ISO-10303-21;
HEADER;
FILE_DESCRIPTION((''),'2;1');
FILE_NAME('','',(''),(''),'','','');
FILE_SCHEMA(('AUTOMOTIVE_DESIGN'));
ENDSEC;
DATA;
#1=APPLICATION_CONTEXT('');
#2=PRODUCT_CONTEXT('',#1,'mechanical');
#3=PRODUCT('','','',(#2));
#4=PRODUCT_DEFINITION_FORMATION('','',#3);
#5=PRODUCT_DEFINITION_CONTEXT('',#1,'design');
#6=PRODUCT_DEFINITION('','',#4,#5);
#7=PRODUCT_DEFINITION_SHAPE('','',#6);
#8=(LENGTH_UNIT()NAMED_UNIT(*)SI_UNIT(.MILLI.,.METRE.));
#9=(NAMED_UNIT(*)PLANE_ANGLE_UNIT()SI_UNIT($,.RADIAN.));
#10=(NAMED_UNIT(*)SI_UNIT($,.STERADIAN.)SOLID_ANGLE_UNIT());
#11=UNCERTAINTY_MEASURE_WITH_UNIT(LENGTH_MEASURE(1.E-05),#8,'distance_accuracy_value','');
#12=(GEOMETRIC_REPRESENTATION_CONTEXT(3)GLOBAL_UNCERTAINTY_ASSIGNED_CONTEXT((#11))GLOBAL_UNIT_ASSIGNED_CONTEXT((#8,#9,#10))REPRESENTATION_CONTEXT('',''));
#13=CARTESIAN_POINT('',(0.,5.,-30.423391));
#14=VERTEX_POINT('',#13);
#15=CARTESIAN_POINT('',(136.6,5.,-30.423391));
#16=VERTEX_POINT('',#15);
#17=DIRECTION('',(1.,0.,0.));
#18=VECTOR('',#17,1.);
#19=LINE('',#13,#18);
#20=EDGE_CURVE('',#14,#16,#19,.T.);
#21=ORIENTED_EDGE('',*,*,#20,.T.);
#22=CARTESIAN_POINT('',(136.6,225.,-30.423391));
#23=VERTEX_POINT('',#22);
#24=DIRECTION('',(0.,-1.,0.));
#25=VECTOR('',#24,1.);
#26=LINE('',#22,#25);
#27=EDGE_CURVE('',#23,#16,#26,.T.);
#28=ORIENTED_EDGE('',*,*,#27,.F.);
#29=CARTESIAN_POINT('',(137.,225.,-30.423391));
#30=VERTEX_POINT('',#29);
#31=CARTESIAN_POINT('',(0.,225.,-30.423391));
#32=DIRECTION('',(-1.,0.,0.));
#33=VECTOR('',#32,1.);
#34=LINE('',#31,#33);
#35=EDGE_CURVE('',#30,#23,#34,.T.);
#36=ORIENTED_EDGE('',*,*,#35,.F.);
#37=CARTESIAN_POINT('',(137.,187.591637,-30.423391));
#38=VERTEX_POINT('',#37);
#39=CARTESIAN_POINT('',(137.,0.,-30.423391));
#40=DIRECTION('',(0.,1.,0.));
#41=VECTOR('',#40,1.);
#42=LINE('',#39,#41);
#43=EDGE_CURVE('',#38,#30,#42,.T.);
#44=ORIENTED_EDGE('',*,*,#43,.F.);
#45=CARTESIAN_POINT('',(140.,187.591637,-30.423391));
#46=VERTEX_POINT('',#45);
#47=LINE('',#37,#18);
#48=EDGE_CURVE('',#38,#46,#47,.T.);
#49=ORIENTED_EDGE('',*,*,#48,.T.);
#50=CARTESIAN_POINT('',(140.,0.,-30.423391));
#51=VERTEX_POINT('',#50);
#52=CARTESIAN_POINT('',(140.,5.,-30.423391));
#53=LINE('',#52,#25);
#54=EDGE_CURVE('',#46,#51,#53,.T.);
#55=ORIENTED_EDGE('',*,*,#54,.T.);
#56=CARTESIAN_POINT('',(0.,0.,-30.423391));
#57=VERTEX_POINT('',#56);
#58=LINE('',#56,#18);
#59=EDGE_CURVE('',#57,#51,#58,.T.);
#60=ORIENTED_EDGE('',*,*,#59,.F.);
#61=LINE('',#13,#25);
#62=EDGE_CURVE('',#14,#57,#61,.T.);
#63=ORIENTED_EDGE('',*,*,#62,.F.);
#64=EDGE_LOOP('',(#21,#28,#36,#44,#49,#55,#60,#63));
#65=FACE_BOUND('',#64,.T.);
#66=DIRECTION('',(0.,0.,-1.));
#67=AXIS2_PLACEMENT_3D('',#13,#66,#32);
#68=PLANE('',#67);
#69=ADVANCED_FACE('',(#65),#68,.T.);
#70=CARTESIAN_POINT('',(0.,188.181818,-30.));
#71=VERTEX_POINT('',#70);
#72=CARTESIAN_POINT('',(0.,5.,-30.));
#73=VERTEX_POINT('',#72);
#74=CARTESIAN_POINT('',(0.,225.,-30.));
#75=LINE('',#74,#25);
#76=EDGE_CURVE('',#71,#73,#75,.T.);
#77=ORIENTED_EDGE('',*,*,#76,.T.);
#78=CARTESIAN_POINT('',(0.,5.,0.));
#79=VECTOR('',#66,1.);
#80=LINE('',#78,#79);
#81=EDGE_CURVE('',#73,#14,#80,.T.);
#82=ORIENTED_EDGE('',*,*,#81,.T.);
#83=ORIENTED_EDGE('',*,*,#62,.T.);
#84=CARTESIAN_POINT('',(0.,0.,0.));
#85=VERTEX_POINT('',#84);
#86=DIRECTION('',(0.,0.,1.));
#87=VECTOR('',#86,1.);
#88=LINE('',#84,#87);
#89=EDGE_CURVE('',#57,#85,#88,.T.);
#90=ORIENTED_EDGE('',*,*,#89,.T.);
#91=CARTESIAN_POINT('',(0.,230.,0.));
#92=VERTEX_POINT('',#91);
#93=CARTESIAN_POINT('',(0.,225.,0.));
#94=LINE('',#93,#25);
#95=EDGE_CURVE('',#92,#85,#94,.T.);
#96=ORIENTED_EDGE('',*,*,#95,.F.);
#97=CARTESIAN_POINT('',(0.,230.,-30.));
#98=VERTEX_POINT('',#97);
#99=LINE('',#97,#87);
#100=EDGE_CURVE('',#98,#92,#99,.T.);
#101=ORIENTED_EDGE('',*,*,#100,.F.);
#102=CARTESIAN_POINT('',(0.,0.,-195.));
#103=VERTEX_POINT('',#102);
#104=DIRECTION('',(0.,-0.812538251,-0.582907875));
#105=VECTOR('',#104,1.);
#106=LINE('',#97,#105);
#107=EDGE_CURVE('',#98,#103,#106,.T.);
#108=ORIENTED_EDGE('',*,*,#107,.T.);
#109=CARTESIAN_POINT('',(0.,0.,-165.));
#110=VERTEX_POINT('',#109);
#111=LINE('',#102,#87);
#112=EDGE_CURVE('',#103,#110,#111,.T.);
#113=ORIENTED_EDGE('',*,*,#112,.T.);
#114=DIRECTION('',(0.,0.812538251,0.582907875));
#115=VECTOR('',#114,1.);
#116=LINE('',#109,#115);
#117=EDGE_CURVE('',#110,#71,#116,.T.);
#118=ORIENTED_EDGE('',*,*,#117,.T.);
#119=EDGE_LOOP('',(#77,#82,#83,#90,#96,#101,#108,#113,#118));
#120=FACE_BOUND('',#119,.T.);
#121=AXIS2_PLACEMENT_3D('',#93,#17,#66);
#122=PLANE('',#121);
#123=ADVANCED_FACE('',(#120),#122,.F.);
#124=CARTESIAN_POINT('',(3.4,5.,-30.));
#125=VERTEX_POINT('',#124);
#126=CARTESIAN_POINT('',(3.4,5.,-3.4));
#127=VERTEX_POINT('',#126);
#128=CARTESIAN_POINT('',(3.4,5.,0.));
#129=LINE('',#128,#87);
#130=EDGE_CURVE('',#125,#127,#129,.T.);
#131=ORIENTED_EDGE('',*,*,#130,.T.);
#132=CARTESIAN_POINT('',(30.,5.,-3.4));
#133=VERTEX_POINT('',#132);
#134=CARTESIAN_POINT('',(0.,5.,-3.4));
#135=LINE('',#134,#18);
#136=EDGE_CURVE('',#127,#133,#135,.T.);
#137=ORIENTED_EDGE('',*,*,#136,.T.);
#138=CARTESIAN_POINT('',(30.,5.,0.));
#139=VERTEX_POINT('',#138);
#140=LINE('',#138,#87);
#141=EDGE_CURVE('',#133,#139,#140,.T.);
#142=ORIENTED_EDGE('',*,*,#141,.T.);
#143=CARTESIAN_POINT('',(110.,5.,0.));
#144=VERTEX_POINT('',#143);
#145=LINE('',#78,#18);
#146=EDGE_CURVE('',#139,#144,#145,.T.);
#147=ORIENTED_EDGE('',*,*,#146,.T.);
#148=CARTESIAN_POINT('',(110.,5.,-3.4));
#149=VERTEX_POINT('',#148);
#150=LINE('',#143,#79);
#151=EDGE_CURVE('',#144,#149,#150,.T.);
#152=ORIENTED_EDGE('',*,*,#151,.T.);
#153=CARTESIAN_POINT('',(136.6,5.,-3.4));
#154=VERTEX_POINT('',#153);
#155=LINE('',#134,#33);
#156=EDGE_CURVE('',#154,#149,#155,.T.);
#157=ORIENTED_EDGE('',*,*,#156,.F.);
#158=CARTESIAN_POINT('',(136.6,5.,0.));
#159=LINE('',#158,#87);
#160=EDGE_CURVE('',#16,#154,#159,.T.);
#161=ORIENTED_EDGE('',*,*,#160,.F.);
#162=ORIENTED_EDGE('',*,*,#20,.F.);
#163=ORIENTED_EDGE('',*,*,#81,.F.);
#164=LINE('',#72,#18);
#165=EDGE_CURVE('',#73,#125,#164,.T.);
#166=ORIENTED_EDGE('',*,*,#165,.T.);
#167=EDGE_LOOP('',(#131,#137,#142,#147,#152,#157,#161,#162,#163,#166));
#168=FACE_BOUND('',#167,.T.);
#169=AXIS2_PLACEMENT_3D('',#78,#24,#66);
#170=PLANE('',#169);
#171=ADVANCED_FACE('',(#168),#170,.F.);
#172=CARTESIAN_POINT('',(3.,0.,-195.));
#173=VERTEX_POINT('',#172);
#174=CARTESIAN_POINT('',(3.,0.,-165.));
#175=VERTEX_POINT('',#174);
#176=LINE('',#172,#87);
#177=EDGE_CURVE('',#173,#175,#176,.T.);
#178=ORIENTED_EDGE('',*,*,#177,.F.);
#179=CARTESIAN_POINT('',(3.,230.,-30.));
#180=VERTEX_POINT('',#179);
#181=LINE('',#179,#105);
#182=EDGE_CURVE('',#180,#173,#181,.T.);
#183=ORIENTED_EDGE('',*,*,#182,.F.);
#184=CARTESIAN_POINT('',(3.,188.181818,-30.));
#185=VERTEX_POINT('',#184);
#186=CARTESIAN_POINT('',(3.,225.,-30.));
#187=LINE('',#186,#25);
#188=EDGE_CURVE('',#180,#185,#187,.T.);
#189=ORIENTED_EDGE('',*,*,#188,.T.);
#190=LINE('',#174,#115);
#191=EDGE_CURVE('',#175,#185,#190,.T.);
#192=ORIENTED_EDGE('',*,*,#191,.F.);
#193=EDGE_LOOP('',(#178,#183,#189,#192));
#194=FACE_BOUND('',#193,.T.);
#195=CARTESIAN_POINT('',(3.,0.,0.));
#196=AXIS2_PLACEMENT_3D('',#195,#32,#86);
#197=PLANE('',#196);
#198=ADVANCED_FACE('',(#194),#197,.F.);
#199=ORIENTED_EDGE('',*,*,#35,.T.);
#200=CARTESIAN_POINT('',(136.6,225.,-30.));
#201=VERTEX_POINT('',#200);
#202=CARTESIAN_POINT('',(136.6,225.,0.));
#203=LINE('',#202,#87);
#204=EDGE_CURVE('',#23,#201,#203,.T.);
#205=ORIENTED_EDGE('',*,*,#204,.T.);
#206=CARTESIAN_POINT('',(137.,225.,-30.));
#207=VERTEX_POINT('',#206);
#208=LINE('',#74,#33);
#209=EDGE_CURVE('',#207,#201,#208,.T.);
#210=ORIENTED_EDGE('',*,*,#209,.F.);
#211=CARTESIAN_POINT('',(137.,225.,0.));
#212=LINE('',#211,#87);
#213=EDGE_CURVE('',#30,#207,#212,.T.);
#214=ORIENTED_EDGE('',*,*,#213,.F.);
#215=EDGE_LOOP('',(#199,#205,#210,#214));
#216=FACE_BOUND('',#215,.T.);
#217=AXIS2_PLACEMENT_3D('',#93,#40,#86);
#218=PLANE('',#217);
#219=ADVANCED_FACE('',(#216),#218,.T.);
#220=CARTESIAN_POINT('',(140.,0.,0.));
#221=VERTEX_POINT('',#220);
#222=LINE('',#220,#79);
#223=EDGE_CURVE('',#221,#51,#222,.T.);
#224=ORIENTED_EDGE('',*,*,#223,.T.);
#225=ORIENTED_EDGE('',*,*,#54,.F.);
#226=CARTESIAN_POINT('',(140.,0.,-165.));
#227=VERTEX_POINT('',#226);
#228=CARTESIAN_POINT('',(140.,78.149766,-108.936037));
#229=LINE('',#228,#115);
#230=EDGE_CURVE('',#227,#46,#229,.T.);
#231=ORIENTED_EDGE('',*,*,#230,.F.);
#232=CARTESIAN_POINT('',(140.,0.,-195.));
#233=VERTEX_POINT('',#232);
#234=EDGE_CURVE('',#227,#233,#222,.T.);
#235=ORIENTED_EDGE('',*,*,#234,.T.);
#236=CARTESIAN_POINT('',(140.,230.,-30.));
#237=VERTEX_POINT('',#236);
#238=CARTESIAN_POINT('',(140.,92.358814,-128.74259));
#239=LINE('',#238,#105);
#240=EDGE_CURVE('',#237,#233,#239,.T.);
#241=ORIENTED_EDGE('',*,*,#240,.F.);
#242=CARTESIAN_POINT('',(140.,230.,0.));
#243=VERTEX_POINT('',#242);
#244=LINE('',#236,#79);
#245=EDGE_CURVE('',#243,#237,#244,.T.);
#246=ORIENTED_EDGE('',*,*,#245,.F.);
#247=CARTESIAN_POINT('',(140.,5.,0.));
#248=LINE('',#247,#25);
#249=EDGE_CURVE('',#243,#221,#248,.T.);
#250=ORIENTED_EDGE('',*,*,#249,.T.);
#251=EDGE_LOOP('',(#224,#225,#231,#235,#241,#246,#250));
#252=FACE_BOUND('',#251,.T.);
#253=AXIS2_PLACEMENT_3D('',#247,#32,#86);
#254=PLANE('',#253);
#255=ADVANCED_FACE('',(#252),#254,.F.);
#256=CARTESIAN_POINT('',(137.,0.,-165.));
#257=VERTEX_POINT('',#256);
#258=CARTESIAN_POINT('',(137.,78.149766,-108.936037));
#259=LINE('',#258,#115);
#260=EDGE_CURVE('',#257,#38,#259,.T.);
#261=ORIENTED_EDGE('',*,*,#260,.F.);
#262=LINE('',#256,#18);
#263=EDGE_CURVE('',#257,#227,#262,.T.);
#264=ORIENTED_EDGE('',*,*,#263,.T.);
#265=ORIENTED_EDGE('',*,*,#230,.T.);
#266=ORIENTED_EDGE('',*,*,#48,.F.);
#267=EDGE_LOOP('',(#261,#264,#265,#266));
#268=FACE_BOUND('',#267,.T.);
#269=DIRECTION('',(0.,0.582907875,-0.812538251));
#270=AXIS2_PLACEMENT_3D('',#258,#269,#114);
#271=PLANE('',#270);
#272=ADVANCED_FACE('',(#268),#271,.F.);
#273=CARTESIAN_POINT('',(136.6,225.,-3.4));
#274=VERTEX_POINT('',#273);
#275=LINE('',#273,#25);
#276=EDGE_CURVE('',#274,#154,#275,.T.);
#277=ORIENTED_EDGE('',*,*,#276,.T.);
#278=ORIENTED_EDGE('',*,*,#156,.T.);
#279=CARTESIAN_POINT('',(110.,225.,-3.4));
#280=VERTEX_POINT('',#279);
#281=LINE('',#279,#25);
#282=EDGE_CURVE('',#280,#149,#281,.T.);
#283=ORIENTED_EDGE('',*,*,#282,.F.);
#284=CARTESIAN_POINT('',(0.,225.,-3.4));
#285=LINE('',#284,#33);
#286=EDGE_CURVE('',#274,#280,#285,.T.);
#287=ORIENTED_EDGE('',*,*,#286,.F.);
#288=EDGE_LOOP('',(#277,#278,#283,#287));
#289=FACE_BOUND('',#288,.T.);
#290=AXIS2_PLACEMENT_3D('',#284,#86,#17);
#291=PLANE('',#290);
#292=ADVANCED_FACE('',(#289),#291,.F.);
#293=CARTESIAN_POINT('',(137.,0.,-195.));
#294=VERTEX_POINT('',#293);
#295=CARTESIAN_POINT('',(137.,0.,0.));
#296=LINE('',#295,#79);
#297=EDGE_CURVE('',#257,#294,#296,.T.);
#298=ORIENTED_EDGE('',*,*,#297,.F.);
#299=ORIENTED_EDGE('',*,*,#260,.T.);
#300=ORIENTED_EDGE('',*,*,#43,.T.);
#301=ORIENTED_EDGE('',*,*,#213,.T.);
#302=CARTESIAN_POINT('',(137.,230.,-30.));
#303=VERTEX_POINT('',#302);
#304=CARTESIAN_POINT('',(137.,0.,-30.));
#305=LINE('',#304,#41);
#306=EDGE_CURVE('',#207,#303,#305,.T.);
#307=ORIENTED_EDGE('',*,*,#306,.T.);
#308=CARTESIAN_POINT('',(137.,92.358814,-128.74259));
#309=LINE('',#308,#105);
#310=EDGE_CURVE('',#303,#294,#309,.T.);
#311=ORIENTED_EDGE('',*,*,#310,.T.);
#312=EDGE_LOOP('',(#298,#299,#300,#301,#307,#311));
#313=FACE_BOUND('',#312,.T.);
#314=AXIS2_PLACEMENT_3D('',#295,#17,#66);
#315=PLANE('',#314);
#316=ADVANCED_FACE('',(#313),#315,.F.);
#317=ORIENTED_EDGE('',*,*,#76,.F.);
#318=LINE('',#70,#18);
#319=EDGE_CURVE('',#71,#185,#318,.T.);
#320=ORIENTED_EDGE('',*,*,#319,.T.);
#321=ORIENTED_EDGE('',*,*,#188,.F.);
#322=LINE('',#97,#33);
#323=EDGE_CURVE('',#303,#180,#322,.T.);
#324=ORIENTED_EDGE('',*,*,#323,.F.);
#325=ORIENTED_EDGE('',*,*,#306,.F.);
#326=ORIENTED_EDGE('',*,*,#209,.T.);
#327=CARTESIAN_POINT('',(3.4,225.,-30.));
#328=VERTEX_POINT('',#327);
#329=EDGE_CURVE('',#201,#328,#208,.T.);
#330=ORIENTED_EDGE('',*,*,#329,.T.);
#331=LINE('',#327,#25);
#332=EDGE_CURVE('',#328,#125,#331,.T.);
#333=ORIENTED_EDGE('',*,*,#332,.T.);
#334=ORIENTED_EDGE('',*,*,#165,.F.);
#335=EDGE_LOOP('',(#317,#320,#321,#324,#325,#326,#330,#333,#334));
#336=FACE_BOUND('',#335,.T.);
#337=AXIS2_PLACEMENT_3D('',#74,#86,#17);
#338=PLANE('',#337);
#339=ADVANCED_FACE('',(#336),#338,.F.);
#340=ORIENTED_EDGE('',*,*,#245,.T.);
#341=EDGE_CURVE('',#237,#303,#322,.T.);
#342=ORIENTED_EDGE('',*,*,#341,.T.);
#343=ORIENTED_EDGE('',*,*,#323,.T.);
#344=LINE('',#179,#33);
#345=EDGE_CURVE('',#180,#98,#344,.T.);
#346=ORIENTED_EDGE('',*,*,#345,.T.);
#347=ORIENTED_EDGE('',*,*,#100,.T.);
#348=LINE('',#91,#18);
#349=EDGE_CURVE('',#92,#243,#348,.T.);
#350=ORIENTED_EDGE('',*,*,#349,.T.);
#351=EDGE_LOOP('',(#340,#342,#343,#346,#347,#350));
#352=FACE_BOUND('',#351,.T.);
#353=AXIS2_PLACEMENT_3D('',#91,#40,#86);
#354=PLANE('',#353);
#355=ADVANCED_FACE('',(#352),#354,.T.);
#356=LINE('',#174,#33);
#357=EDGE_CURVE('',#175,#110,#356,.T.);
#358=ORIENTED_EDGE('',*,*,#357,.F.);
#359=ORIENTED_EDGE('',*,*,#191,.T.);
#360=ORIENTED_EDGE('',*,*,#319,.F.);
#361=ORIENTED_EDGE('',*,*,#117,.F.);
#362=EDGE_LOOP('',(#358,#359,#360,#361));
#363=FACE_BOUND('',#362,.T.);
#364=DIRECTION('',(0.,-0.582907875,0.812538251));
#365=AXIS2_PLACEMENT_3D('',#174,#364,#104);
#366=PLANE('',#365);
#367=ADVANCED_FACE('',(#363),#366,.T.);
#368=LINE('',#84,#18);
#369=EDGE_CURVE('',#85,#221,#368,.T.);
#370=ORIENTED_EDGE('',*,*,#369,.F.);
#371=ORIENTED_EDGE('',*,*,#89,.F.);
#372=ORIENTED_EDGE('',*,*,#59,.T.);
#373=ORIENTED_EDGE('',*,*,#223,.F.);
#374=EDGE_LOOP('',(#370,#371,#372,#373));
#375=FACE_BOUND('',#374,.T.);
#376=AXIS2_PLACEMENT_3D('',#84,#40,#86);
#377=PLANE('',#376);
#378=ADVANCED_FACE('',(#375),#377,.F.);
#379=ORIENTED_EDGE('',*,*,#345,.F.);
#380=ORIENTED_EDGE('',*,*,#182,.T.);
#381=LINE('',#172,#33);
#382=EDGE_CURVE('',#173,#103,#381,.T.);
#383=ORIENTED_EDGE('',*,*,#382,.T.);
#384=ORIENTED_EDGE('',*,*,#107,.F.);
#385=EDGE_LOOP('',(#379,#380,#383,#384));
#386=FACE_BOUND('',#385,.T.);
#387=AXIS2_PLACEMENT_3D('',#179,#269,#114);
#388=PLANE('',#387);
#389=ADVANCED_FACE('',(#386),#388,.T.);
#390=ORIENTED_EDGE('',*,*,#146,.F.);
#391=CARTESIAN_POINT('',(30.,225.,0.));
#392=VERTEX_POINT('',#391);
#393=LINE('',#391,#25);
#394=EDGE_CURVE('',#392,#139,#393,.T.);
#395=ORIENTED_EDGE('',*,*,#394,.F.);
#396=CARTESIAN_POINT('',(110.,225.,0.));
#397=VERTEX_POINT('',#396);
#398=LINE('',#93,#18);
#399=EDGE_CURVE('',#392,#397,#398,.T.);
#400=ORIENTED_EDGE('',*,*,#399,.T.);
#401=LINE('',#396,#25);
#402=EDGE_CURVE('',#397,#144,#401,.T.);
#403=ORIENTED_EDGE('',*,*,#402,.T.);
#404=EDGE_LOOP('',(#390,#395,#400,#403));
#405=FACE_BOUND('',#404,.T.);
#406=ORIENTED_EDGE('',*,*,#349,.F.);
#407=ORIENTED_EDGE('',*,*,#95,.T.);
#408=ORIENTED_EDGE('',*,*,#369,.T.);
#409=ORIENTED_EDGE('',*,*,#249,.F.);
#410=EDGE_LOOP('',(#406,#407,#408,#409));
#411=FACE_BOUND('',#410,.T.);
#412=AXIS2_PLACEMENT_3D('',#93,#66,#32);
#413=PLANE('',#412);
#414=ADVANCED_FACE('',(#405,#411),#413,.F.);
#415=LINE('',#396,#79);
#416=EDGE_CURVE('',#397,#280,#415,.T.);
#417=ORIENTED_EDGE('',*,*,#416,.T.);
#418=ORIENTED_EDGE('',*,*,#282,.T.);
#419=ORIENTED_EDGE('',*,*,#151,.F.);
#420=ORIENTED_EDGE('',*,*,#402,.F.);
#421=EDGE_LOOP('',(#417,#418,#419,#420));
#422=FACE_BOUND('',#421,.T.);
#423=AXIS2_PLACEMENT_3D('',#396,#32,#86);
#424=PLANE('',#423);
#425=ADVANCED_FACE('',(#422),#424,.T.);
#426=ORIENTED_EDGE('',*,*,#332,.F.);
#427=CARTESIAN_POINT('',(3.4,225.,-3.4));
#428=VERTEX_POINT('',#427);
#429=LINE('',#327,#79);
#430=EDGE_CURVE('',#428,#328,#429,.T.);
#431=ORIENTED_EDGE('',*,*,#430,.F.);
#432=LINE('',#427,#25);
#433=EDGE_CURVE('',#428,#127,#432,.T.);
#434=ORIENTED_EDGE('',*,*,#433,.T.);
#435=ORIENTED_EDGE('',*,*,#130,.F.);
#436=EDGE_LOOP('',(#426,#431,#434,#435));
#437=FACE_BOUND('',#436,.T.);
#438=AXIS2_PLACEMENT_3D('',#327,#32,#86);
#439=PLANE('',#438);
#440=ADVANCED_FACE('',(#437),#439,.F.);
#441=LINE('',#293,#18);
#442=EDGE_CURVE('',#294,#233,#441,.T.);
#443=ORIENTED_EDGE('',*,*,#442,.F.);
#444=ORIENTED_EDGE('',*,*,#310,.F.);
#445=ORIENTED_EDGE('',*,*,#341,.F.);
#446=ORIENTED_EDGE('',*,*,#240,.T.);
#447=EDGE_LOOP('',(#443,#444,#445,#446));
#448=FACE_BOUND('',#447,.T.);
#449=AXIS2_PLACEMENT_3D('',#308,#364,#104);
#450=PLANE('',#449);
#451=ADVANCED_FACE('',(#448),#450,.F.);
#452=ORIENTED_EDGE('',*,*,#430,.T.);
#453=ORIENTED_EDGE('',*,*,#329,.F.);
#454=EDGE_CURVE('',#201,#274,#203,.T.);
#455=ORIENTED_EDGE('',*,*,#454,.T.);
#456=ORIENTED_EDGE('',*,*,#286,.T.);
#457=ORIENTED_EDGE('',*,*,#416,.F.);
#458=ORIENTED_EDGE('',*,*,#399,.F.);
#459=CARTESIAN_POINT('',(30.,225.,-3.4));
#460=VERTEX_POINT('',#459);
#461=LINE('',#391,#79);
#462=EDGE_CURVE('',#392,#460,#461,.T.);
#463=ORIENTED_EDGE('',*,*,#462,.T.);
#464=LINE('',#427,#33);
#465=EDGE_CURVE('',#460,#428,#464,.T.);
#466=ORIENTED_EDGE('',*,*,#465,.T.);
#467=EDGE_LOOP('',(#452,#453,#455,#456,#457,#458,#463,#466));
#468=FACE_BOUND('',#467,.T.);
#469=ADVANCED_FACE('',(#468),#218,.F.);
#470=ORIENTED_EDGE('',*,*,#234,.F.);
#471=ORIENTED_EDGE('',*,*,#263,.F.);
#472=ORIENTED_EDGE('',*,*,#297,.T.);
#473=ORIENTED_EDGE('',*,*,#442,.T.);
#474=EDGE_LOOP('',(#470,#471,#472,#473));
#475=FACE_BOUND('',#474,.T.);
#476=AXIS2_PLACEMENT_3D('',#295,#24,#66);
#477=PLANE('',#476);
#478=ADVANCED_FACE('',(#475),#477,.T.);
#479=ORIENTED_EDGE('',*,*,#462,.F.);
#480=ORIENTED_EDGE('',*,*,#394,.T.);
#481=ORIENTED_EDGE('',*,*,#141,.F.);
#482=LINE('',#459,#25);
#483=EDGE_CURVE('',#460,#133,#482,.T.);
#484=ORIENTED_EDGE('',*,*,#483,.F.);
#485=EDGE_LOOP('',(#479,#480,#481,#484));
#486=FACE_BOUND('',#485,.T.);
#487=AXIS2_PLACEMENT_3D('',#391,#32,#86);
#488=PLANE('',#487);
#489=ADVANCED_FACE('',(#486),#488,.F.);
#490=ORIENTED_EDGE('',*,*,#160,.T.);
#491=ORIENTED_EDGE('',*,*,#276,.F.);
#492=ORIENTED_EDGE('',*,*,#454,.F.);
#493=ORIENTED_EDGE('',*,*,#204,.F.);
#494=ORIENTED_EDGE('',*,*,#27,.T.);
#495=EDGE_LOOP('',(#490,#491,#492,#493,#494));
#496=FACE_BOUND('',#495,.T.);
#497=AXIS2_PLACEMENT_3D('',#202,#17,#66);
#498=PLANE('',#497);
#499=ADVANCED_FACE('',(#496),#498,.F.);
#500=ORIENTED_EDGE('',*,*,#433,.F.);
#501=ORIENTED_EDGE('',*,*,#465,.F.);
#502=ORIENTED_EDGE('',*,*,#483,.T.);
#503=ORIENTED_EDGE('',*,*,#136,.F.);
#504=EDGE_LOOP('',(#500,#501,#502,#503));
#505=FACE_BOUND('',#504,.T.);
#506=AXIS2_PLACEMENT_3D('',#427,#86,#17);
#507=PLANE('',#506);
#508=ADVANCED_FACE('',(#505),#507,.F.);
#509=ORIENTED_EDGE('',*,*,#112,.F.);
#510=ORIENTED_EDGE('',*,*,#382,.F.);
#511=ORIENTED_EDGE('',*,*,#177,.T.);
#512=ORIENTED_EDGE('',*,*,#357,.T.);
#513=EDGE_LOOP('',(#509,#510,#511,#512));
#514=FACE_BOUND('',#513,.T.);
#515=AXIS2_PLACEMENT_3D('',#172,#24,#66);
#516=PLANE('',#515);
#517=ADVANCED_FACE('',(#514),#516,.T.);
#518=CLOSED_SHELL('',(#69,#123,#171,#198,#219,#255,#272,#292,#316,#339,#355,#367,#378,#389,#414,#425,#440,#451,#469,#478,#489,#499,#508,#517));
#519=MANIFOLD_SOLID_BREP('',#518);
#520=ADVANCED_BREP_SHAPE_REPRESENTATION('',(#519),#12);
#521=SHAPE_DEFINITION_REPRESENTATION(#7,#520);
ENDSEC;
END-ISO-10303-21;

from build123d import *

# Parameters (mm, degrees)
BOSS_EXTRUDE1_DEPTH = 225
BOSS_EXTRUDE2_DEPTH = 5
BOSS_EXTRUDE3_DEPTH = 220
SKETCH4_W           = 140
SKETCH4_H           = 30
BOSS_EXTRUDE4_DEPTH = 5
BOSS_EXTRUDE5_DEPTH = 3
BOSS_EXTRUDE6_DEPTH = 3


with BuildPart() as part:
    # Sketch1 → Boss-Extrude1 (new body)
    with BuildSketch(Plane(origin=(0, 0, 0), x_dir=(1, 0, 0), z_dir=(0, 1, 0))):
        Polygon((0, 0), (0, 30), (3.4, 30), (3.4, 3.4), (30, 3.4), (30, 0), align=None)
    extrude(amount=BOSS_EXTRUDE1_DEPTH)

    # Sketch2 → Boss-Extrude2 (add)
    with BuildSketch(Plane(origin=(0, 0, 0), x_dir=(-1, 0, 0), z_dir=(0, -1, 0))):
        Polygon((-140, 0), (-30, 0), (-30, 3.4), (-3.4, 3.4), (-3.4, 30), (0, 30), (0, 30.423390593), (-140, 30.423390593), align=None)
    extrude(amount=-BOSS_EXTRUDE2_DEPTH)

    # Sketch3 → Boss-Extrude3 (add)
    with BuildSketch(Plane(origin=(0, 5, 0), x_dir=(1, 0, 0), z_dir=(0, 1, 0))):
        Polygon((140, 0), (140, 30.423390593), (136.6, 30.423390593), (136.6, 3.4), (110, 3.4), (110, 0), align=None)
    extrude(amount=BOSS_EXTRUDE3_DEPTH)

    # Sketch4 → Boss-Extrude4 (add)
    with BuildSketch(Plane(origin=(0, 225, 0), x_dir=(1, 0, 0), z_dir=(0, 1, 0))):
        with Locations((70, 15)):
            Rectangle(SKETCH4_W, SKETCH4_H)
    extrude(amount=BOSS_EXTRUDE4_DEPTH)

    # Sketch5 → Boss-Extrude5 (add)
    with BuildSketch(Plane(origin=(140, 0, 0), x_dir=(0, 0, -1), z_dir=(1, 0, 0))):
        Polygon((143.47826087, 30), (165, 0), (195, 0), (30, 230), (30, 225), (30.423390593, 225), (30.423390593, 187.591637355), align=None)
    extrude(amount=-BOSS_EXTRUDE5_DEPTH)

    # Sketch6 → Boss-Extrude6 (add)
    with BuildSketch(Plane.ZY):
        Polygon((-30, 230), (-195, 0), (-165, 0), (0, 230), align=None)
    extrude(amount=-BOSS_EXTRUDE6_DEPTH)


solid = part.part
